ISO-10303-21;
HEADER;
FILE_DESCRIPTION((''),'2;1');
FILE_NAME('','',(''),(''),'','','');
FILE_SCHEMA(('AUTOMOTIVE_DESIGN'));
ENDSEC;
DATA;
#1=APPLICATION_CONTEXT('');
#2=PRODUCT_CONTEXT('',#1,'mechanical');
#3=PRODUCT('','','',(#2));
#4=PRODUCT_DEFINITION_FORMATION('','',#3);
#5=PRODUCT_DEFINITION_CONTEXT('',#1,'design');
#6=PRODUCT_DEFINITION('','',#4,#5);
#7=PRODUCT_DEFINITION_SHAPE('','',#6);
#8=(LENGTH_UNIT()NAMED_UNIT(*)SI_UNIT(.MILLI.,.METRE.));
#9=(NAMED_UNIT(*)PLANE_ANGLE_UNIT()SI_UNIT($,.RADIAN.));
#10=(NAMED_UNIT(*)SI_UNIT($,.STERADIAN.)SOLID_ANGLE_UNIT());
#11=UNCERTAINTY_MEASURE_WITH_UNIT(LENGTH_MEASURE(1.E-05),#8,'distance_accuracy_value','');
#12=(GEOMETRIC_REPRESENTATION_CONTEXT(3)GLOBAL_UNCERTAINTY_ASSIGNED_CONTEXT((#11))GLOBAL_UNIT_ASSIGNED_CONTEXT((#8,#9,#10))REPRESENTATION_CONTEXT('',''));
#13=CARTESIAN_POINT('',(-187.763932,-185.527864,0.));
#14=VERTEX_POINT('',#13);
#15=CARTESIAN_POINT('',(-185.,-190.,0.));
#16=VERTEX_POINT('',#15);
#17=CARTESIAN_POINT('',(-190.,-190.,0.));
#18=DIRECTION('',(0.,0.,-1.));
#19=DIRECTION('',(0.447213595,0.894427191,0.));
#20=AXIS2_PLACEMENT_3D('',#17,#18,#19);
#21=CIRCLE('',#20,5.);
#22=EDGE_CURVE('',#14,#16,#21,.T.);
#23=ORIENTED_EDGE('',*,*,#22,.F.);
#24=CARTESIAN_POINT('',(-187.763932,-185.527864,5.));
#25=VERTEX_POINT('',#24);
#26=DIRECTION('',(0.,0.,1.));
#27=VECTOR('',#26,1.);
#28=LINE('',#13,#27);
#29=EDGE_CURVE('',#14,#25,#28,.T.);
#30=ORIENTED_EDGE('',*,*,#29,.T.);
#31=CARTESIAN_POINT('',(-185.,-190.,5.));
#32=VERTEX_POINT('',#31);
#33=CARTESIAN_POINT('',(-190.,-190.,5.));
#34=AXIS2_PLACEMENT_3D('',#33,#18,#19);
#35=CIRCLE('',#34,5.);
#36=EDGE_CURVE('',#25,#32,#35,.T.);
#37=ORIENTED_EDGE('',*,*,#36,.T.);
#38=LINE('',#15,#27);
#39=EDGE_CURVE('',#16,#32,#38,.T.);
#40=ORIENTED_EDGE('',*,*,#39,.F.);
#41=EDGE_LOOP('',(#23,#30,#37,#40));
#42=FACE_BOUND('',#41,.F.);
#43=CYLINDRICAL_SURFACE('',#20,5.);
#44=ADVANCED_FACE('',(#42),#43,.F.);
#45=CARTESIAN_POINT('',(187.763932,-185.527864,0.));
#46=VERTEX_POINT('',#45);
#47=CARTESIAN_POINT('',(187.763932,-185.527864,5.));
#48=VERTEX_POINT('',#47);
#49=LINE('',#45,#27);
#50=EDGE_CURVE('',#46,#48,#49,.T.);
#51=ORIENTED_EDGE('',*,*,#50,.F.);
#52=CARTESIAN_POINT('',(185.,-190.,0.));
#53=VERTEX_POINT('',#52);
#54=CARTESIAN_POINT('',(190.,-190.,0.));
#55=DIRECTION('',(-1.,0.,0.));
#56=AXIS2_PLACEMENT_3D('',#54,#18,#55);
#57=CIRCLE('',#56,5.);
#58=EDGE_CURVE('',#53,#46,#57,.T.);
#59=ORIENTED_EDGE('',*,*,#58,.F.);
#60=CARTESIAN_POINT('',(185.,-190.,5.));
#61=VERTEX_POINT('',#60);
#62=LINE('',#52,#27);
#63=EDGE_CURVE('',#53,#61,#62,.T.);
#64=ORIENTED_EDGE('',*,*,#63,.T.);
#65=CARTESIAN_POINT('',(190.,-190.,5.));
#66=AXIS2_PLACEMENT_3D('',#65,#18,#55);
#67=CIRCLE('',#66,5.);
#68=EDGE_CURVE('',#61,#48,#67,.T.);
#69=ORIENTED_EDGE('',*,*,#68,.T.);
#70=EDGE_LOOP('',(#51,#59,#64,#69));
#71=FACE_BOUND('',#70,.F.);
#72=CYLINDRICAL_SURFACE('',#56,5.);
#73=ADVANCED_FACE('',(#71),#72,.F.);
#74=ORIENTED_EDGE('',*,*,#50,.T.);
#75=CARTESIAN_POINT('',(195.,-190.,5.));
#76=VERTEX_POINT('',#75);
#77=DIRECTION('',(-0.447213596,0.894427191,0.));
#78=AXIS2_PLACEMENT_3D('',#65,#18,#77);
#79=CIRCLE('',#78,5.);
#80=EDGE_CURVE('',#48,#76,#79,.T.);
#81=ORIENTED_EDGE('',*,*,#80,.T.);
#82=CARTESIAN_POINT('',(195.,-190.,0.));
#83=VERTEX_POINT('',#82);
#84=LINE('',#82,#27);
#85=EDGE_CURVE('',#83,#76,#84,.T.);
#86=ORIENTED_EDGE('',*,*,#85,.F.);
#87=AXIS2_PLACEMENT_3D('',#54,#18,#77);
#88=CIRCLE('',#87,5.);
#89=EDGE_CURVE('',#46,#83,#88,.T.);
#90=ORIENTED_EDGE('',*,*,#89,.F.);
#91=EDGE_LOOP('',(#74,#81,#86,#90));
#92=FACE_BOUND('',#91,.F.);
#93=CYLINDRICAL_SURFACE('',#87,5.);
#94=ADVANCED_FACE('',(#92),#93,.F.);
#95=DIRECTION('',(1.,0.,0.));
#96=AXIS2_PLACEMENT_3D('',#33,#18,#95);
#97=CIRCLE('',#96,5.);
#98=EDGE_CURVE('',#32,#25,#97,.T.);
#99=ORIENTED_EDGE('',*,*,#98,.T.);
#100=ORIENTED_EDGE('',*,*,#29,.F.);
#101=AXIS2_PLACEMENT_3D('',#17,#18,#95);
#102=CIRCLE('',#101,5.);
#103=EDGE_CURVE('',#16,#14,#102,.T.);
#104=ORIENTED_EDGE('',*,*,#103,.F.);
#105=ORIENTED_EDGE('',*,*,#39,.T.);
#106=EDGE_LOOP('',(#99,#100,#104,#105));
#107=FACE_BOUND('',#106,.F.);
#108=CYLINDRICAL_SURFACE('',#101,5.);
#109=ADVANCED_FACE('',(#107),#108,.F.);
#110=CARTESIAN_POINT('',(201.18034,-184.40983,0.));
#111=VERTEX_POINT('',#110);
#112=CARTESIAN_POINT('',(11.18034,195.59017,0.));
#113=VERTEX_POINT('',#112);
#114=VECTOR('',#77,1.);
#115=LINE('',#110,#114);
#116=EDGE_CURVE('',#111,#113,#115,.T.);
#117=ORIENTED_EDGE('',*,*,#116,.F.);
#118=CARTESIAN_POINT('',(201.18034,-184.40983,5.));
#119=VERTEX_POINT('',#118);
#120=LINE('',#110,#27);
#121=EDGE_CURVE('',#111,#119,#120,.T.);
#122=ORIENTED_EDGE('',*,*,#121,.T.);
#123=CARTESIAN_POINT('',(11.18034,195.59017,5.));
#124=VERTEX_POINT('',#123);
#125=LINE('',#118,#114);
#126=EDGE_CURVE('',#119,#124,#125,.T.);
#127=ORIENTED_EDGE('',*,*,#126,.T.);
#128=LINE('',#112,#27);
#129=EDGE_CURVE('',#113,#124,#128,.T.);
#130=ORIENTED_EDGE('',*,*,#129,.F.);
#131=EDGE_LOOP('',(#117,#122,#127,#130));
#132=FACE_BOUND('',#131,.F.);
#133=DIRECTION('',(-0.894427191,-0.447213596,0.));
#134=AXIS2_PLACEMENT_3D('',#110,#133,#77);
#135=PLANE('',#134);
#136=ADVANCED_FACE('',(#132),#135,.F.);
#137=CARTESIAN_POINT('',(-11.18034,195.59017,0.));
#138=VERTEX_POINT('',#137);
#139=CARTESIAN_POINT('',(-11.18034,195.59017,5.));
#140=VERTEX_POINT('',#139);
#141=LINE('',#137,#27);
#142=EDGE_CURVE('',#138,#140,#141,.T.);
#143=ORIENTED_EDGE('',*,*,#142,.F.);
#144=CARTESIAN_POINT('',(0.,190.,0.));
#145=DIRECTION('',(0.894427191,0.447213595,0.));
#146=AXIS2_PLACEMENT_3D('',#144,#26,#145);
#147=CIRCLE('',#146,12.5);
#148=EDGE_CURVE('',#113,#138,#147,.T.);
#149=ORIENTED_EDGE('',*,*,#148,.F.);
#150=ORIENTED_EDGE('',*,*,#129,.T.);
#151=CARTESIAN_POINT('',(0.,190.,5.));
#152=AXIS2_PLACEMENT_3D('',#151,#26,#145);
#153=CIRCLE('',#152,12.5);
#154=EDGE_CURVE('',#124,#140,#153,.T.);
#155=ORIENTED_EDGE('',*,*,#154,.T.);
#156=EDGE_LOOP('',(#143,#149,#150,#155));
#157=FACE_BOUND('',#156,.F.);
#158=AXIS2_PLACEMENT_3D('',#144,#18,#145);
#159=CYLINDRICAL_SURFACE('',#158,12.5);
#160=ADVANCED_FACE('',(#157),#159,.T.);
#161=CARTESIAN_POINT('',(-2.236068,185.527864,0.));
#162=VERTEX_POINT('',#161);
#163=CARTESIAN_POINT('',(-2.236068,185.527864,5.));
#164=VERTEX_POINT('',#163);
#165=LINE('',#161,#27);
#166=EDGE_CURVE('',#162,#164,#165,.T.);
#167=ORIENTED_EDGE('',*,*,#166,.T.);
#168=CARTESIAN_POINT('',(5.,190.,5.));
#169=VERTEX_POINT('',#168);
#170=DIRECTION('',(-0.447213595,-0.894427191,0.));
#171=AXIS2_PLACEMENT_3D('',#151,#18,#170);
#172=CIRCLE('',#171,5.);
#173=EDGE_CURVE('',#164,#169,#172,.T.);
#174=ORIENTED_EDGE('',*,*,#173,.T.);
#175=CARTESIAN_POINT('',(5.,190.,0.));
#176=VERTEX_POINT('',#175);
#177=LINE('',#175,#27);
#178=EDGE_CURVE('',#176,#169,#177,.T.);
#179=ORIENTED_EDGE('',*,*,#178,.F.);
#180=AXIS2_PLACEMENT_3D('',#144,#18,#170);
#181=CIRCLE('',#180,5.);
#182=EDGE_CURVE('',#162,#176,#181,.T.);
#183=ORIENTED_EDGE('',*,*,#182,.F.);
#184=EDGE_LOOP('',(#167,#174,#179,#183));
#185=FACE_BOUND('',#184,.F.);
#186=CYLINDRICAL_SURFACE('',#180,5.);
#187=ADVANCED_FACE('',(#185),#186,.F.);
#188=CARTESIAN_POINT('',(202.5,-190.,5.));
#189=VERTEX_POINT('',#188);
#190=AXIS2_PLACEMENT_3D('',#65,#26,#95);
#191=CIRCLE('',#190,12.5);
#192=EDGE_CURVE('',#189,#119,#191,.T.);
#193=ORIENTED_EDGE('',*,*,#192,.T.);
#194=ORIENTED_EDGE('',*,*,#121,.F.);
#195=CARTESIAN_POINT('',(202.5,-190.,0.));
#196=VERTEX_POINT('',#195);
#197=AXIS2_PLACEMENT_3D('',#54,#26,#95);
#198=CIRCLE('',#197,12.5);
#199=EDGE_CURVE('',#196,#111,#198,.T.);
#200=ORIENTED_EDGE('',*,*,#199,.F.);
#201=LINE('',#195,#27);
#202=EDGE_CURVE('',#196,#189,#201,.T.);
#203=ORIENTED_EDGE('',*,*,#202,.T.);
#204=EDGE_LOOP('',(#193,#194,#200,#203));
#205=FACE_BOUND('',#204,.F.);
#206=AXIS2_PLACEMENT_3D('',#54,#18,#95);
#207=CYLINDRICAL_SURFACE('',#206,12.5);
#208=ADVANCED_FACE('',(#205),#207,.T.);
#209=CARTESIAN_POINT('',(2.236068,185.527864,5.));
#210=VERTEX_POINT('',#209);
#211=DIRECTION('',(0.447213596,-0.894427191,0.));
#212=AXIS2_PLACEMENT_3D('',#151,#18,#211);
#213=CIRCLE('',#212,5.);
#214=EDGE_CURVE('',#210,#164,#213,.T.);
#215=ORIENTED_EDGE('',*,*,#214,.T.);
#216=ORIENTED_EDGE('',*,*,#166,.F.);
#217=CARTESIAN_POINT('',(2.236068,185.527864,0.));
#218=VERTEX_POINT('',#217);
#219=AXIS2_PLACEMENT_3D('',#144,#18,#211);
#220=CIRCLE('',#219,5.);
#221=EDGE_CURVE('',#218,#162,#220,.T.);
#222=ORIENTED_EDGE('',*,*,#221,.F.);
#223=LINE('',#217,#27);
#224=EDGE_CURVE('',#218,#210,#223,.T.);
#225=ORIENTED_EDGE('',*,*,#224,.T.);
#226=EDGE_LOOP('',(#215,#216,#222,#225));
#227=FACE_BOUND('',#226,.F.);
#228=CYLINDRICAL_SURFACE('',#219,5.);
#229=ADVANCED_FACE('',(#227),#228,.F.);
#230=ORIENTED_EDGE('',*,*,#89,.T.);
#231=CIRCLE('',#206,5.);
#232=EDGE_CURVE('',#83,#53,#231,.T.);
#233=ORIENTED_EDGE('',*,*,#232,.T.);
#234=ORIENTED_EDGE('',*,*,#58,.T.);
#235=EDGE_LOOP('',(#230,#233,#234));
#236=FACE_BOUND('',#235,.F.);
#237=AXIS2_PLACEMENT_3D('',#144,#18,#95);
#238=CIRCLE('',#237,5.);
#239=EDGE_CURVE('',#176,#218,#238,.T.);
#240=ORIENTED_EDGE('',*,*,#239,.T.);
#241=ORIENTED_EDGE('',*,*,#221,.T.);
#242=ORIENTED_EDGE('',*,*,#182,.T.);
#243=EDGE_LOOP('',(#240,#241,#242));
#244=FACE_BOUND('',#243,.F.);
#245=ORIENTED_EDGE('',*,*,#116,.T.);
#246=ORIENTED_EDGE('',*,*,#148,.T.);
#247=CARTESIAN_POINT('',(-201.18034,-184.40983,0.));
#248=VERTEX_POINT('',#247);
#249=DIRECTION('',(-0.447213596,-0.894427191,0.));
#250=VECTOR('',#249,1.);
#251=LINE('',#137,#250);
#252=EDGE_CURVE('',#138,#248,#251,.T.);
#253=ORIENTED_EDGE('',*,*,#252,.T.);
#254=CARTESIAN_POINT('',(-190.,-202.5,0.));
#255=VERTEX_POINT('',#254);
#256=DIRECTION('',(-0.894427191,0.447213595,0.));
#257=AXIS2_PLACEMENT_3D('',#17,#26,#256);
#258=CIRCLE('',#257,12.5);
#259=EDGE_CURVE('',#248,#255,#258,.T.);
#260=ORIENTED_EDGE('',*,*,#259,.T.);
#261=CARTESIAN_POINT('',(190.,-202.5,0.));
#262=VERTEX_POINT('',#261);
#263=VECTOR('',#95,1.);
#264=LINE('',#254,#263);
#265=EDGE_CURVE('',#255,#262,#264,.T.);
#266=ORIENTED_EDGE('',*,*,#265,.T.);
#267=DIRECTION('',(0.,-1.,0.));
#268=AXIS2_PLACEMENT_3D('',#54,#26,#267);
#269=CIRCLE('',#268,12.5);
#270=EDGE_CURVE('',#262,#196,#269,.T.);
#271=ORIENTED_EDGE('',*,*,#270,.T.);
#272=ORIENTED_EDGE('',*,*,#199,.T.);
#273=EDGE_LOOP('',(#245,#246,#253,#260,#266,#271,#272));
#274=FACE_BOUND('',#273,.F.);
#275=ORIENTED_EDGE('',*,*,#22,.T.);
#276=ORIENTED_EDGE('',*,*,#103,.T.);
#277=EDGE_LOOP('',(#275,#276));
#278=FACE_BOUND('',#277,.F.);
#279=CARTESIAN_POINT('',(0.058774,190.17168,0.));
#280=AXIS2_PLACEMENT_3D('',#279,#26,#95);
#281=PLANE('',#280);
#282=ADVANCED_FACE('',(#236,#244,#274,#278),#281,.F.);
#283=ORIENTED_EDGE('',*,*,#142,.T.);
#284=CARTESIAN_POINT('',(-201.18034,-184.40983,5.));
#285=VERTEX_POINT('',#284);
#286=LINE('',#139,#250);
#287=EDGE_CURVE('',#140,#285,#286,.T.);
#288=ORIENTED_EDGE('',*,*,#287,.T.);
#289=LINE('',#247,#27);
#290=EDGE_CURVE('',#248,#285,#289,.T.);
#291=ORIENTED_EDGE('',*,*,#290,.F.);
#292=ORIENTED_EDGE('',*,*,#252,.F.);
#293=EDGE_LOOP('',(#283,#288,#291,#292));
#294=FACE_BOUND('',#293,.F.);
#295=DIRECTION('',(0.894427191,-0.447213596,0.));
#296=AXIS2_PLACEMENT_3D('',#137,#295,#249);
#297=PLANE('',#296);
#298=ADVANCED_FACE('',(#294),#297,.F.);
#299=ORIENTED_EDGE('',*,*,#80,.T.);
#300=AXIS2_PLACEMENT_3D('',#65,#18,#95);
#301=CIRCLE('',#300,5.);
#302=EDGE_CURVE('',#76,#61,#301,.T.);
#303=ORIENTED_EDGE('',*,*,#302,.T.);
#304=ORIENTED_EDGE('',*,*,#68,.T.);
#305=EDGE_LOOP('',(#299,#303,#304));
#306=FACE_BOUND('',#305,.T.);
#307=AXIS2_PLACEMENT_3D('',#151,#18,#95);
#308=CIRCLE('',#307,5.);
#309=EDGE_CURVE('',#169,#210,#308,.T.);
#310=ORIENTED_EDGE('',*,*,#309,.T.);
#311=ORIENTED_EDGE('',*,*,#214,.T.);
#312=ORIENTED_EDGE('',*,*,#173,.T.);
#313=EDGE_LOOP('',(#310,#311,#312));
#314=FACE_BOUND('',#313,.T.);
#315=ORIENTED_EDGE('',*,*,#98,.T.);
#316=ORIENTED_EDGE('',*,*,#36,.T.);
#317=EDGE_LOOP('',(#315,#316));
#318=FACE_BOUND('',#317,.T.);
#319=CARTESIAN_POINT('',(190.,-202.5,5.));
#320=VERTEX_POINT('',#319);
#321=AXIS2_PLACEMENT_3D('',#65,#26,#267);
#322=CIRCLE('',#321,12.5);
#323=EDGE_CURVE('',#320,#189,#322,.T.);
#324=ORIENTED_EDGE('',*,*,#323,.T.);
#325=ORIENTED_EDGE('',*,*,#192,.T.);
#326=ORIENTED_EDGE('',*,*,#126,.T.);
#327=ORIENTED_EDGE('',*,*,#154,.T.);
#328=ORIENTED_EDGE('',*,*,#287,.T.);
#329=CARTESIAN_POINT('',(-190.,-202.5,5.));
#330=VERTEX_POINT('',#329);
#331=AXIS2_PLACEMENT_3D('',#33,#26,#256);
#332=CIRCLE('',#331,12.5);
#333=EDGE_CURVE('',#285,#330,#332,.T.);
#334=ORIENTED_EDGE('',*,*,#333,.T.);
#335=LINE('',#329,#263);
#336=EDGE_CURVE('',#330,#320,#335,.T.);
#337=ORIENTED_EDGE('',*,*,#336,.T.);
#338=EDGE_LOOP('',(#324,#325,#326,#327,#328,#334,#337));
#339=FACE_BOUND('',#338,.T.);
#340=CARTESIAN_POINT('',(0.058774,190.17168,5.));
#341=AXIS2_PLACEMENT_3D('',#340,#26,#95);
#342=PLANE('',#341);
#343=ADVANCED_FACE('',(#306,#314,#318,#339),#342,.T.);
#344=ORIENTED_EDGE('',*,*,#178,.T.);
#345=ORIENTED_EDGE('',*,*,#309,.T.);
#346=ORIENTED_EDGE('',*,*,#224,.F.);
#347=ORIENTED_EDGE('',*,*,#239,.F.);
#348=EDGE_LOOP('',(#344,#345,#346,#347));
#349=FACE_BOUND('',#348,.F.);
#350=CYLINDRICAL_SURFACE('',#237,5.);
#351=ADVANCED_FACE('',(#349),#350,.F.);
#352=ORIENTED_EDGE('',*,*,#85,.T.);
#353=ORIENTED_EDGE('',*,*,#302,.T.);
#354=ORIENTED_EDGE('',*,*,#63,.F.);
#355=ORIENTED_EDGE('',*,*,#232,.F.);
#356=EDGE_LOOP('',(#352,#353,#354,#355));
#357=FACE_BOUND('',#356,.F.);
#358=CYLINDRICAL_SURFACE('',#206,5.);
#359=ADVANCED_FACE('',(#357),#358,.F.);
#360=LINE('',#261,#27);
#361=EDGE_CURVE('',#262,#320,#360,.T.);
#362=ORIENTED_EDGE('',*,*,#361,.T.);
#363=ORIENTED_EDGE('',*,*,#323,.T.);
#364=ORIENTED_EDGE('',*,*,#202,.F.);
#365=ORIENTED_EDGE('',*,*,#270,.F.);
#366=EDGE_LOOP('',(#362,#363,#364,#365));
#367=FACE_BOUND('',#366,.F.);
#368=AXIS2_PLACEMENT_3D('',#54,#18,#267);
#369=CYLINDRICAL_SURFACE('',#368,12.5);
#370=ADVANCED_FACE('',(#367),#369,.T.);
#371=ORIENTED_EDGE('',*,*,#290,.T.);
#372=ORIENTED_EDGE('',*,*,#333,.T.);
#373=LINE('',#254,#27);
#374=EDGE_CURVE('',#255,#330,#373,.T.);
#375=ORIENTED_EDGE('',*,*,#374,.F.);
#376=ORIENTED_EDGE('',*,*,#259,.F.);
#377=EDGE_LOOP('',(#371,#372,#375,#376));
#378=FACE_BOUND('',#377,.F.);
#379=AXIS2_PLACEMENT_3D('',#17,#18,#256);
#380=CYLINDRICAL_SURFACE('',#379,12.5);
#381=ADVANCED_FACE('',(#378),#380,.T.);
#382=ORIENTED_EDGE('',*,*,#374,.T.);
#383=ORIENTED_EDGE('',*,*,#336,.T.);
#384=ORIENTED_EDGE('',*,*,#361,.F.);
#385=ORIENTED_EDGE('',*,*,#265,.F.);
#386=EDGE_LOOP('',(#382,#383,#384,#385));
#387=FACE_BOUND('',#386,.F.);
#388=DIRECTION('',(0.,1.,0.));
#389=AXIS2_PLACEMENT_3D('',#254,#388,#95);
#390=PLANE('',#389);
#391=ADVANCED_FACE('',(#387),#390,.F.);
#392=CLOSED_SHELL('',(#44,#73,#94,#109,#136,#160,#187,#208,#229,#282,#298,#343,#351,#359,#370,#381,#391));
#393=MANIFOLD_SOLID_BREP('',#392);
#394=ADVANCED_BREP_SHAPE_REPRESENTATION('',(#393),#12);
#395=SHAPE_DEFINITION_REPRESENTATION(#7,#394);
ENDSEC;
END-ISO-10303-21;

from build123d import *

# Parameters (mm, degrees)
F1_DEPTH = 5


with BuildPart() as f1:
    # F0 (on Top) → F1 (new body)
    with BuildSketch(Plane.XY):
        with BuildLine():
            ThreePointArc((11.1803398875, 184.4098300563), (12.1656123683, 187.1280884932), (12.5, 190))
            ThreePointArc((12.5, 190), (12.1656123683, 192.8719115068), (11.1803398875, 195.5901699437))
            ThreePointArc((11.1803398875, 195.5901699437), (0, 202.5), (-11.1803398875, 195.5901699437))
            ThreePointArc((-11.1803398875, 195.5901699437), (-12.5, 190), (-11.1803398875, 184.4098300563))
            ThreePointArc((-11.1803398875, 184.4098300563), (-8.8388347648, 181.1611652352), (-5.5901699437, 178.8196601125))
            Line((-5.5901699437, 178.8196601125), (-2.2360679775, 185.527864045))
            ThreePointArc((-2.2360679775, 185.527864045), (-2.6286555606, 194.2532540418), (5, 190))
            ThreePointArc((5, 190), (4.2532540418, 187.3713444394), (2.2360679775, 185.527864045))
            Line((2.2360679775, 185.527864045), (5.5901699437, 178.8196601125))
            ThreePointArc((5.5901699437, 178.8196601125), (8.8388347648, 181.1611652352), (11.1803398875, 184.4098300563))
        make_face()
        with BuildLine():
            ThreePointArc((-11.1803398875, 184.4098300563), (-12.5, 190), (-11.1803398875, 195.5901699437))
            Line((-11.1803398875, 195.5901699437), (-201.1803398875, -184.4098300563))
            ThreePointArc((-201.1803398875, -184.4098300563), (-196.5716389015, -179.3668648956), (-190, -177.5))
            Line((-190, -177.5), (-183.75, -177.5))
            Line((-183.75, -177.5), (-6.9877124297, 176.0245751406))
            Line((-6.9877124297, 176.0245751406), (-11.1803398875, 184.4098300563))
        make_face()
        with BuildLine():
            ThreePointArc((11.1803398875, 195.5901699437), (12.1656123683, 192.8719115068), (12.5, 190))
            ThreePointArc((12.5, 190), (12.1656123683, 187.1280884932), (11.1803398875, 184.4098300563))
            Line((11.1803398875, 184.4098300563), (6.9877124297, 176.0245751406))
            Line((6.9877124297, 176.0245751406), (183.75, -177.5))
            Line((183.75, -177.5), (190, -177.5))
            ThreePointArc((190, -177.5), (196.5716389015, -179.3668648956), (201.1803398875, -184.4098300563))
            Line((201.1803398875, -184.4098300563), (11.1803398875, 195.5901699437))
        make_face()
        with BuildLine():
            ThreePointArc((-178.8196601125, -195.5901699437), (-183.4283610985, -200.6331351044), (-190, -202.5))
            Line((-190, -202.5), (190, -202.5))
            ThreePointArc((190, -202.5), (183.4283610985, -200.6331351044), (178.8196601125, -195.5901699437))
            Line((178.8196601125, -195.5901699437), (176.0245751406, -190))
            Line((176.0245751406, -190), (-176.0245751406, -190))
            Line((-176.0245751406, -190), (-178.8196601125, -195.5901699437))
        make_face()
        Polygon((183.75, -177.5), (6.9877124297, 176.0245751406), (0, 162.0491502813), (169.7745751406, -177.5), align=None)
        with BuildLine():
            ThreePointArc((-5.5901699437, 178.8196601125), (0, 177.5), (5.5901699437, 178.8196601125))
            Line((5.5901699437, 178.8196601125), (2.2360679775, 185.527864045))
            ThreePointArc((2.2360679775, 185.527864045), (0, 185), (-2.2360679775, 185.527864045))
            Line((-2.2360679775, 185.527864045), (-5.5901699437, 178.8196601125))
        make_face()
        Polygon((176.0245751406, -190), (169.7745751406, -177.5), (-169.7745751406, -177.5), (-176.0245751406, -190), align=None)
        Polygon((-169.7745751406, -177.5), (0, 162.0491502813), (-6.9877124297, 176.0245751406), (-183.75, -177.5), align=None)
        with BuildLine():
            Line((6.9877124297, 176.0245751406), (5.5901699437, 178.8196601125))
            ThreePointArc((5.5901699437, 178.8196601125), (0, 177.5), (-5.5901699437, 178.8196601125))
            Line((-5.5901699437, 178.8196601125), (-6.9877124297, 176.0245751406))
            Line((-6.9877124297, 176.0245751406), (0, 162.0491502813))
            Line((0, 162.0491502813), (6.9877124297, 176.0245751406))
        make_face()
        with BuildLine():
            Line((-176.0245751406, -190), (-169.7745751406, -177.5))
            Line((-169.7745751406, -177.5), (-183.75, -177.5))
            Line((-183.75, -177.5), (-184.4098300563, -178.8196601125))
            ThreePointArc((-184.4098300563, -178.8196601125), (-179.3668648956, -183.4283610985), (-177.5, -190))
            Line((-177.5, -190), (-176.0245751406, -190))
        make_face()
        with BuildLine():
            Line((184.4098300563, -178.8196601125), (183.75, -177.5))
            Line((183.75, -177.5), (169.7745751406, -177.5))
            Line((169.7745751406, -177.5), (176.0245751406, -190))
            Line((176.0245751406, -190), (177.5, -190))
            ThreePointArc((177.5, -190), (179.3668648956, -183.4283610985), (184.4098300563, -178.8196601125))
        make_face()
        with BuildLine():
            ThreePointArc((-177.5, -190), (-177.8343876317, -192.8719115068), (-178.8196601125, -195.5901699437))
            Line((-178.8196601125, -195.5901699437), (-176.0245751406, -190))
            Line((-176.0245751406, -190), (-177.5, -190))
        make_face()
        with BuildLine():
            Line((6.9877124297, 176.0245751406), (11.1803398875, 184.4098300563))
            ThreePointArc((11.1803398875, 184.4098300563), (8.8388347648, 181.1611652352), (5.5901699437, 178.8196601125))
            Line((5.5901699437, 178.8196601125), (6.9877124297, 176.0245751406))
        make_face()
        with BuildLine():
            ThreePointArc((-5.5901699437, 178.8196601125), (-8.8388347648, 181.1611652352), (-11.1803398875, 184.4098300563))
            Line((-11.1803398875, 184.4098300563), (-6.9877124297, 176.0245751406))
            Line((-6.9877124297, 176.0245751406), (-5.5901699437, 178.8196601125))
        make_face()
        with BuildLine():
            Line((176.0245751406, -190), (178.8196601125, -195.5901699437))
            ThreePointArc((178.8196601125, -195.5901699437), (177.8343876317, -192.8719115068), (177.5, -190))
            Line((177.5, -190), (176.0245751406, -190))
        make_face()
        with BuildLine():
            ThreePointArc((184.4098300563, -178.8196601125), (187.1280884932, -177.8343876317), (190, -177.5))
            Line((190, -177.5), (183.75, -177.5))
            Line((183.75, -177.5), (184.4098300563, -178.8196601125))
        make_face()
        with BuildLine():
            Line((-183.75, -177.5), (-190, -177.5))
            ThreePointArc((-190, -177.5), (-187.1280884932, -177.8343876317), (-184.4098300563, -178.8196601125))
            Line((-184.4098300563, -178.8196601125), (-183.75, -177.5))
        make_face()
        with BuildLine():
            ThreePointArc((-190, -177.5), (-196.5716389015, -179.3668648956), (-201.1803398875, -184.4098300563))
            ThreePointArc((-201.1803398875, -184.4098300563), (-200.6331351044, -196.5716389015), (-190, -202.5))
            ThreePointArc((-190, -202.5), (-183.4283610985, -200.6331351044), (-178.8196601125, -195.5901699437))
            ThreePointArc((-178.8196601125, -195.5901699437), (-177.8343876317, -192.8719115068), (-177.5, -190))
            Line((-177.5, -190), (-185, -190))
            ThreePointArc((-185, -190), (-194.2532540418, -192.6286555606), (-187.7639320225, -185.527864045))
            Line((-187.7639320225, -185.527864045), (-184.4098300563, -178.8196601125))
            ThreePointArc((-184.4098300563, -178.8196601125), (-187.1280884932, -177.8343876317), (-190, -177.5))
        make_face()
        with BuildLine():
            ThreePointArc((-177.5, -190), (-179.3668648956, -183.4283610985), (-184.4098300563, -178.8196601125))
            Line((-184.4098300563, -178.8196601125), (-187.7639320225, -185.527864045))
            ThreePointArc((-187.7639320225, -185.527864045), (-185.7467459582, -187.3713444394), (-185, -190))
            Line((-185, -190), (-177.5, -190))
        make_face()
        with BuildLine():
            ThreePointArc((202.5, -190), (202.1656123683, -187.1280884932), (201.1803398875, -184.4098300563))
            ThreePointArc((201.1803398875, -184.4098300563), (196.5716389015, -179.3668648956), (190, -177.5))
            ThreePointArc((190, -177.5), (187.1280884932, -177.8343876317), (184.4098300563, -178.8196601125))
            Line((184.4098300563, -178.8196601125), (187.7639320225, -185.527864045))
            ThreePointArc((187.7639320225, -185.527864045), (192.6286555606, -185.7467459582), (195, -190))
            ThreePointArc((195, -190), (190, -195), (185, -190))
            Line((185, -190), (177.5, -190))
            ThreePointArc((177.5, -190), (177.8343876317, -192.8719115068), (178.8196601125, -195.5901699437))
            ThreePointArc((178.8196601125, -195.5901699437), (183.4283610985, -200.6331351044), (190, -202.5))
            ThreePointArc((190, -202.5), (198.8388347648, -198.8388347648), (202.5, -190))
        make_face()
        with BuildLine():
            Line((187.7639320225, -185.527864045), (184.4098300563, -178.8196601125))
            ThreePointArc((184.4098300563, -178.8196601125), (179.3668648956, -183.4283610985), (177.5, -190))
            Line((177.5, -190), (185, -190))
            ThreePointArc((185, -190), (185.7467459582, -187.3713444394), (187.7639320225, -185.527864045))
        make_face()
        Polygon((169.7745751406, -177.5), (0, 162.0491502813), (-169.7745751406, -177.5), align=None)
    extrude(amount=F1_DEPTH)


solid = f1.part
